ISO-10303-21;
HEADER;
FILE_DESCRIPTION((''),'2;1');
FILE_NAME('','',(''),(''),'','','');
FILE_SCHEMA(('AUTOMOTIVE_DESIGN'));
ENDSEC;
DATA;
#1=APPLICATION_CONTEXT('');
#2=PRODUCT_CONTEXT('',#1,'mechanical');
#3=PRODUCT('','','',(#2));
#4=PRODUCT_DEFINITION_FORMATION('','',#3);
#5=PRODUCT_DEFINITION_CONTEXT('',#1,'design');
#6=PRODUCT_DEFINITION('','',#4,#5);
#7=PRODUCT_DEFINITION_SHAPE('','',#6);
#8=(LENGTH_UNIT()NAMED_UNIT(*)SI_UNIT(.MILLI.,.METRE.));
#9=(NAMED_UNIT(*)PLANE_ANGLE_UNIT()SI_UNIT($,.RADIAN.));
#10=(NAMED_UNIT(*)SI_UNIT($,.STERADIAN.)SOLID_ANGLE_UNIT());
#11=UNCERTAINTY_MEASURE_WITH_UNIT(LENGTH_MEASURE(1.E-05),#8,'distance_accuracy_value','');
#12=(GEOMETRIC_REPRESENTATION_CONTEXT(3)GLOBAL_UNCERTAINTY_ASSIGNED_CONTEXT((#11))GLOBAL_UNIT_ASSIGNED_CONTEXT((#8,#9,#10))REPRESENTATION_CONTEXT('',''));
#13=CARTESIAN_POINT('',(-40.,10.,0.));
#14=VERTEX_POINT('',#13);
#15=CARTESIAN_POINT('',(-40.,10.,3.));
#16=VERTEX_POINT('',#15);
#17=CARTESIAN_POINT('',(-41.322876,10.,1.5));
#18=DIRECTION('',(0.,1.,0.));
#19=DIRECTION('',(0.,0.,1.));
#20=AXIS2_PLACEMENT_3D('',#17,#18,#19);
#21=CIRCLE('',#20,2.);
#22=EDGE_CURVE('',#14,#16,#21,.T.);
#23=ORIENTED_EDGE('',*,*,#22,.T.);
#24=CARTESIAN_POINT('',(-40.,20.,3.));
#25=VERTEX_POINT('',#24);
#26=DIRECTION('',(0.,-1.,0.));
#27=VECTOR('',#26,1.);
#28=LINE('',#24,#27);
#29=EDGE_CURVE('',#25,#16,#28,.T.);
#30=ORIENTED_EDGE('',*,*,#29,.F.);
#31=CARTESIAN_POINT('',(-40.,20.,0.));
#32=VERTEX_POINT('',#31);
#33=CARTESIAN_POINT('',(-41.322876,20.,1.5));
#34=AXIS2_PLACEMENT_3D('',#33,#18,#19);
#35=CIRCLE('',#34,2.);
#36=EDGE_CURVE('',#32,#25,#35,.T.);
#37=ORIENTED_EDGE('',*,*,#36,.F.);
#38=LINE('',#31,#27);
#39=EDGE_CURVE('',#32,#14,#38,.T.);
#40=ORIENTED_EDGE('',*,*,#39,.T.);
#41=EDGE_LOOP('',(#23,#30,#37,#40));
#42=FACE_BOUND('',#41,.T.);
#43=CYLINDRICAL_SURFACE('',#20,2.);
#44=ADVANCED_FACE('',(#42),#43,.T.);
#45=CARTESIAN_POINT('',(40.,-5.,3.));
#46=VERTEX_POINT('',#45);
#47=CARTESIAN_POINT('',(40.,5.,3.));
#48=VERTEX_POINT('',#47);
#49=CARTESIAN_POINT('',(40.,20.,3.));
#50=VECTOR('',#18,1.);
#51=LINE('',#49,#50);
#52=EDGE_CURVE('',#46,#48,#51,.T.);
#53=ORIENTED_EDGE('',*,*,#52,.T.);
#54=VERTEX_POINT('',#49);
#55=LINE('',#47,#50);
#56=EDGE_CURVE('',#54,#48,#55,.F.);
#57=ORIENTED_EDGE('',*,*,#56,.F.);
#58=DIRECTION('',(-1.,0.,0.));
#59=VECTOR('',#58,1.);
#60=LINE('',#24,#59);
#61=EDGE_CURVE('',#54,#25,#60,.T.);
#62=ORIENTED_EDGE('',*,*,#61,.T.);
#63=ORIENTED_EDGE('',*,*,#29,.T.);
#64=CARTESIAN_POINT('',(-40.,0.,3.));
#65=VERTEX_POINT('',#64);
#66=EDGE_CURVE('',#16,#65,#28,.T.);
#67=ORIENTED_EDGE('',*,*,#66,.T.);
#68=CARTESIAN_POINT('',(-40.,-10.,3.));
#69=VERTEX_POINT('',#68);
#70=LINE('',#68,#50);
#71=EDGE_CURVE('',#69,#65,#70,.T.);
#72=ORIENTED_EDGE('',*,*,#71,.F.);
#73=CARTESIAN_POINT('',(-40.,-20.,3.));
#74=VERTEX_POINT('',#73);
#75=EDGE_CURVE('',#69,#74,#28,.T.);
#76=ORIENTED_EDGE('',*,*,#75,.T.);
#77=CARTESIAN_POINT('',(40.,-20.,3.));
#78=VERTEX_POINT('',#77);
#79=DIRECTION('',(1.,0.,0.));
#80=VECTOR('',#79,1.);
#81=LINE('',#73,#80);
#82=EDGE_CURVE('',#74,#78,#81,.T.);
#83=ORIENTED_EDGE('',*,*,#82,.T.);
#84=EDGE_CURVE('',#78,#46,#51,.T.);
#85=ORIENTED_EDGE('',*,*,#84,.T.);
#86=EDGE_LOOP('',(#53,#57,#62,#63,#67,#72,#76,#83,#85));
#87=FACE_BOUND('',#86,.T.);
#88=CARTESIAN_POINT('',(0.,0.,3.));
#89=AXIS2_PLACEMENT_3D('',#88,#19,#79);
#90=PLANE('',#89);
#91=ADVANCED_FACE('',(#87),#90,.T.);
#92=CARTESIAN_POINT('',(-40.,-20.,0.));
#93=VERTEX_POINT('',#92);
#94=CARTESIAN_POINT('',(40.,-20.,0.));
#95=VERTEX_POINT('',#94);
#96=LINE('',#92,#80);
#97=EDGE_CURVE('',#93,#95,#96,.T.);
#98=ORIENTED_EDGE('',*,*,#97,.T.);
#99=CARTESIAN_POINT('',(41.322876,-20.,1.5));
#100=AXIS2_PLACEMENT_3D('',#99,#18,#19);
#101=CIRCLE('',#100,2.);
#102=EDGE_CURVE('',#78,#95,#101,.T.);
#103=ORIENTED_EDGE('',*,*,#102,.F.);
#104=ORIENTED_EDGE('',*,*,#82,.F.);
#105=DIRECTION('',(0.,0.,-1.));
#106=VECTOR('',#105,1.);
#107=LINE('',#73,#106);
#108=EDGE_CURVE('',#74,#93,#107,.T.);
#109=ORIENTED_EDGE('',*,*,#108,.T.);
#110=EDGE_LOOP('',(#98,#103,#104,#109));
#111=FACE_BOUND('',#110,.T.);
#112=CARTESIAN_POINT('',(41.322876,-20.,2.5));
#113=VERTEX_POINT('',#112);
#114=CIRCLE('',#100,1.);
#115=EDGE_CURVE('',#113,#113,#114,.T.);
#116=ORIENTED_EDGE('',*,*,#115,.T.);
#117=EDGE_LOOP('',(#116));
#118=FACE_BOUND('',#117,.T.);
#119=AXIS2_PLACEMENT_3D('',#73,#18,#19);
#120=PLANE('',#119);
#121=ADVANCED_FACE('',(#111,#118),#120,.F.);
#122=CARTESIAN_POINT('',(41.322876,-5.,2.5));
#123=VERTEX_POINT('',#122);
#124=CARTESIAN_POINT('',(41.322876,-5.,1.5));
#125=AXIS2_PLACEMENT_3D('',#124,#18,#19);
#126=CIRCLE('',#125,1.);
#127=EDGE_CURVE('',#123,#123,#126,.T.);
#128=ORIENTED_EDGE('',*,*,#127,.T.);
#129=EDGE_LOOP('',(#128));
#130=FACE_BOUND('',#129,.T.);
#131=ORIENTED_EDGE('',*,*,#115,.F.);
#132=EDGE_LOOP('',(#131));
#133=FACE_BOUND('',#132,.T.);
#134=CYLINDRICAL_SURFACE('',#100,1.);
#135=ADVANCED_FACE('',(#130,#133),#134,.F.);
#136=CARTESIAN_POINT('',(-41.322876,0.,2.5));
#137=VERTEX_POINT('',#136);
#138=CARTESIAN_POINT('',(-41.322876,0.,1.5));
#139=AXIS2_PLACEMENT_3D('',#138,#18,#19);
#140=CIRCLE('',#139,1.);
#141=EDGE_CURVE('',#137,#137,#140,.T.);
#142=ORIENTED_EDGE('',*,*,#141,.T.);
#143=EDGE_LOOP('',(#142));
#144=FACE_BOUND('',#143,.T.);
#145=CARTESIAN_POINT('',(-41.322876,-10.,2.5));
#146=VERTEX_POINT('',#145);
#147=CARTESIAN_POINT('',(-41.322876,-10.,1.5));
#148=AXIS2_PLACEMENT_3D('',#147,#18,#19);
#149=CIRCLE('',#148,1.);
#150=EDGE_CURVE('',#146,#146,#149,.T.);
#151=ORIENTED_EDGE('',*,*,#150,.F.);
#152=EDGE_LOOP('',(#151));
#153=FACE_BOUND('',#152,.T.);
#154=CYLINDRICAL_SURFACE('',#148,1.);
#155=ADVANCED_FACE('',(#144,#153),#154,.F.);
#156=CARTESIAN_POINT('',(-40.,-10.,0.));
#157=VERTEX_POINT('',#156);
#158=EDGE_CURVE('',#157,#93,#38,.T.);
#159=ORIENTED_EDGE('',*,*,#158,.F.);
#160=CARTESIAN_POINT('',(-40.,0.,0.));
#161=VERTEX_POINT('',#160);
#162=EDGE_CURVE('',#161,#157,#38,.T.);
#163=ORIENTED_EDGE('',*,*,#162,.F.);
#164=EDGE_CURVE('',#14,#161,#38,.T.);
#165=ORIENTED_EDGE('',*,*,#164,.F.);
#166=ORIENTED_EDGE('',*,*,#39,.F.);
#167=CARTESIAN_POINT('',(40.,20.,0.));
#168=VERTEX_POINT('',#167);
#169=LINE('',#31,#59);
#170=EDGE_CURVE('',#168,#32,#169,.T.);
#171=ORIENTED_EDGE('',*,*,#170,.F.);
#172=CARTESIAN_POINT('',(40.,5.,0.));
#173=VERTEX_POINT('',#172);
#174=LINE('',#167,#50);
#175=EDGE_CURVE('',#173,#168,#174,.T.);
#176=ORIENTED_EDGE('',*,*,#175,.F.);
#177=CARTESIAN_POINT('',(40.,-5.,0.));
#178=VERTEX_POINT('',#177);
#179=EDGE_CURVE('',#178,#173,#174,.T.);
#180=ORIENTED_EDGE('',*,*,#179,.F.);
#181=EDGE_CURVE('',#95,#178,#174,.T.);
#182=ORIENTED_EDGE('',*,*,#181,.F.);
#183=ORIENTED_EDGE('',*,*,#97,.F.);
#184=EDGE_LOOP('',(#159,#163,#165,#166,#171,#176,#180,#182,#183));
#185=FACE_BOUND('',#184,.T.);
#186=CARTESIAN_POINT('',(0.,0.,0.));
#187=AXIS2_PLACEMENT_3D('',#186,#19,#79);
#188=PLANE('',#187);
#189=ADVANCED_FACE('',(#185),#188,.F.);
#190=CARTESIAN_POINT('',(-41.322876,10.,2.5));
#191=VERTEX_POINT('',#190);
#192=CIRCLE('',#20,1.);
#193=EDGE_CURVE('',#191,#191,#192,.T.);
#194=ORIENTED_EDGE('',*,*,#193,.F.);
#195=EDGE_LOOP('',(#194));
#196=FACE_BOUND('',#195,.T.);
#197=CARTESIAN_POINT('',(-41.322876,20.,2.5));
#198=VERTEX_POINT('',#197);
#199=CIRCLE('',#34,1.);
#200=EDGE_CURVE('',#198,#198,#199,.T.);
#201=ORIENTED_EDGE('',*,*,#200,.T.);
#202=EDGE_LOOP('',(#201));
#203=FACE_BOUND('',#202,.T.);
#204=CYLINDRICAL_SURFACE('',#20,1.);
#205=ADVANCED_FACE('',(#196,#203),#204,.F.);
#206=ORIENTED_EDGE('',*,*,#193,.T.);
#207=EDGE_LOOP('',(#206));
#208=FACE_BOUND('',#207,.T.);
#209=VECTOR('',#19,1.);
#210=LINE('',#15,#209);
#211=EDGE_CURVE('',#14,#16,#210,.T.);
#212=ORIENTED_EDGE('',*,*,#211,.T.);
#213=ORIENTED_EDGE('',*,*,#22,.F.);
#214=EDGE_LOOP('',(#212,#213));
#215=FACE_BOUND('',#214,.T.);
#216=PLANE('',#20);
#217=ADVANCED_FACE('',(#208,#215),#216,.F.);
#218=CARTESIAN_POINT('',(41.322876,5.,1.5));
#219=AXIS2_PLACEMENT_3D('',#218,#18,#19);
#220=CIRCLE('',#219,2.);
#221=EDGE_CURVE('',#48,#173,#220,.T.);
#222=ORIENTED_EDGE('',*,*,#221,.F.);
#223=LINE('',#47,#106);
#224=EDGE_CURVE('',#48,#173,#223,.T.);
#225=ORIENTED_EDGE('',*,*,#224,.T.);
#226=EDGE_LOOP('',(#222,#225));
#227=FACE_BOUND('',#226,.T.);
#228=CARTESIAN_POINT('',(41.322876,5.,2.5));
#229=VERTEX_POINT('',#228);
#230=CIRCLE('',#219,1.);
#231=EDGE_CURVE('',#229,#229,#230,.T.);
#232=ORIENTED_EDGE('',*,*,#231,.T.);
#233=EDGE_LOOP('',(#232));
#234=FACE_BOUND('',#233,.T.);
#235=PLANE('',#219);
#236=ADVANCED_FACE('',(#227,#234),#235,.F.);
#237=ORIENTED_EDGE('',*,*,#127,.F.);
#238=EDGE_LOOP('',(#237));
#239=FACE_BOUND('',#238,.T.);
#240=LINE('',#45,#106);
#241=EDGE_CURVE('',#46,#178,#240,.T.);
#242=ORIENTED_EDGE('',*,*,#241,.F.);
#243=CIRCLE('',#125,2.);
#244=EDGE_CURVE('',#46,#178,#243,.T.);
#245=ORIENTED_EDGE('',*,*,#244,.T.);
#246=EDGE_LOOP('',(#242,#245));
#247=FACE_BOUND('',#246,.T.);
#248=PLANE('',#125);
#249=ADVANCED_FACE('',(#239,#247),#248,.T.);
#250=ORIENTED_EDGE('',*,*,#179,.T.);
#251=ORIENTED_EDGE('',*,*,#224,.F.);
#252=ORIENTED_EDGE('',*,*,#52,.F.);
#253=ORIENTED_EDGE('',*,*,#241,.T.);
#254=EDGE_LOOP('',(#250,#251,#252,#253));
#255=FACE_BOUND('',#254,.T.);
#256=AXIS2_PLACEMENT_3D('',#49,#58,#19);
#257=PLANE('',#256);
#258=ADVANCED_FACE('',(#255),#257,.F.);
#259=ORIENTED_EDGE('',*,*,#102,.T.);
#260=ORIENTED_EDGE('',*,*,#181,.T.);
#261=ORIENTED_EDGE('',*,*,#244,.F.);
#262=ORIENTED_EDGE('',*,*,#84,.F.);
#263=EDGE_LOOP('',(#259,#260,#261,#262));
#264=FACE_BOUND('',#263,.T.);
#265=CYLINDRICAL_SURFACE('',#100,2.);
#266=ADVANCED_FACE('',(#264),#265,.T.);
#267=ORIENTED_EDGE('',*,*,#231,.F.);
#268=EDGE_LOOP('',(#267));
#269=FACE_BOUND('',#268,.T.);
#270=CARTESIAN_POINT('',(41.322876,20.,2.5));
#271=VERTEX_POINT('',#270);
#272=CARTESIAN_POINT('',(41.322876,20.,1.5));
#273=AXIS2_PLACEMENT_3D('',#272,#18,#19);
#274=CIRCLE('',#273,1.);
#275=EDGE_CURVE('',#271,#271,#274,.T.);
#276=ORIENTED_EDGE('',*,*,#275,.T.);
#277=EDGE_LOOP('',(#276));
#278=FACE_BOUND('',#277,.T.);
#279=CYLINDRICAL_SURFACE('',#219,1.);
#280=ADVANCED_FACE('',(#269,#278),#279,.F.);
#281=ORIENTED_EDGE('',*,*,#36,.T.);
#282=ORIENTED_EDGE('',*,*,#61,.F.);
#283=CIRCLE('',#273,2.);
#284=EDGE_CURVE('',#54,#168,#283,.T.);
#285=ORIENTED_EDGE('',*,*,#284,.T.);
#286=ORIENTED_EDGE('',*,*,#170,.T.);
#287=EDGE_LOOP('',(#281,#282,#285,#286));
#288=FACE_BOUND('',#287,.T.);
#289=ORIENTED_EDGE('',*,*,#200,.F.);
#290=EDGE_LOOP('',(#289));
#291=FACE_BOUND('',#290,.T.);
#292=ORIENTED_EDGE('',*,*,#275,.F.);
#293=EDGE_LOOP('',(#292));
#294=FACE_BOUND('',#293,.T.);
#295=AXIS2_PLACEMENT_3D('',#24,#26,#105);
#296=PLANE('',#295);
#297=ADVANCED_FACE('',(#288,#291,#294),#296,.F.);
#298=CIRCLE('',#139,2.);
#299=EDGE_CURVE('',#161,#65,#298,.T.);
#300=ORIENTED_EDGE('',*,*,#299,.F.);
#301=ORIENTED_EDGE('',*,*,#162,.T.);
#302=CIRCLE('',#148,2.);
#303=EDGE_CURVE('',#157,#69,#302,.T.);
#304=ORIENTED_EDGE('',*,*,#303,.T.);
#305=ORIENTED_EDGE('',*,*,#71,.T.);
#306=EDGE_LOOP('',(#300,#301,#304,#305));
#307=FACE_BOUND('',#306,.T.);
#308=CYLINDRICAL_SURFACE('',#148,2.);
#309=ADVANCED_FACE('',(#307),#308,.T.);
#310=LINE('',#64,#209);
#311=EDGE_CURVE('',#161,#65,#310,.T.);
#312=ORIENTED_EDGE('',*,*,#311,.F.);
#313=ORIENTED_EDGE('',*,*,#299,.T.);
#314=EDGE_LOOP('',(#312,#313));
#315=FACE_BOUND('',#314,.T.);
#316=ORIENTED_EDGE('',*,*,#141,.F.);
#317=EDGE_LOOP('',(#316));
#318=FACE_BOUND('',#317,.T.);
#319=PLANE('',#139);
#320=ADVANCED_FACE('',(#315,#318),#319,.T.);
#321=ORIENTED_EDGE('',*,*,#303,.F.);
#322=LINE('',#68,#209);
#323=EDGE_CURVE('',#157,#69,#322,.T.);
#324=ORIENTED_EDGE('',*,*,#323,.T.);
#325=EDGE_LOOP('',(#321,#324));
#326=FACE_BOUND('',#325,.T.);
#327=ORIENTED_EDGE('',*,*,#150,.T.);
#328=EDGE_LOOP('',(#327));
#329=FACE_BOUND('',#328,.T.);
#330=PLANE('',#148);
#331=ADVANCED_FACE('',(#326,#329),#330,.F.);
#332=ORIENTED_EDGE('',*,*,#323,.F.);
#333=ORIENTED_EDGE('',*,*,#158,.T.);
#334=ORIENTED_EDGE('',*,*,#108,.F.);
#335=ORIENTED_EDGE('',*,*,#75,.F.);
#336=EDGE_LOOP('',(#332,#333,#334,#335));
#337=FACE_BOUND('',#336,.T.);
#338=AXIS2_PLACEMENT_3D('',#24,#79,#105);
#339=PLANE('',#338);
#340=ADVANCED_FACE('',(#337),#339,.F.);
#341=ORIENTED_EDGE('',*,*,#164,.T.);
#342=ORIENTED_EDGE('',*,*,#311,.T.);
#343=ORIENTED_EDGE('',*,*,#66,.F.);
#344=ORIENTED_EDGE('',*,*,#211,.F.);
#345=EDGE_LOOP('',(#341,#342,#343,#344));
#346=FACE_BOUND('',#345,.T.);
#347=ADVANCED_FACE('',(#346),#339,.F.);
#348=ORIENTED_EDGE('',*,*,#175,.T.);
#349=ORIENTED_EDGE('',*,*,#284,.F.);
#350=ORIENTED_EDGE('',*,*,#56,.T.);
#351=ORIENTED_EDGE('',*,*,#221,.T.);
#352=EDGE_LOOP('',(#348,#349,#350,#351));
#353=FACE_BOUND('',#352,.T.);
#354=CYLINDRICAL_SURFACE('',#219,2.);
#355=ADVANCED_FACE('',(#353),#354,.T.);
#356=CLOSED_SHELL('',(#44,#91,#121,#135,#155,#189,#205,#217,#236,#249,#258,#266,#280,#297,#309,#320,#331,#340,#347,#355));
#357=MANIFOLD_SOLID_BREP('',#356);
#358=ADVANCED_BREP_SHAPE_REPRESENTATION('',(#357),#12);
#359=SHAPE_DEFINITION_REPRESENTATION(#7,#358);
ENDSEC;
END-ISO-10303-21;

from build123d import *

# Parameters (mm, degrees)
SKETCH1_W           = 80
SKETCH1_H           = 40
BOSS_EXTRUDE1_DEPTH = 3
SKETCH2_R           = 2
SKETCH2_R_2         = 1
BOSS_EXTRUDE3_DEPTH = 10
LPATTERN1_COUNT     = 2
LPATTERN1_PITCH     = 20
SKETCH3_R           = 2
SKETCH3_R_2         = 1
BOSS_EXTRUDE4_DEPTH = 15
LPATTERN2_COUNT     = 2
LPATTERN2_PITCH     = 25


with BuildPart() as part:
    # Sketch1 → Boss-Extrude1 (new body)
    with BuildSketch(Plane.XY):
        Rectangle(SKETCH1_W, SKETCH1_H)
    extrude(amount=BOSS_EXTRUDE1_DEPTH)

    # Sketch2 → Boss-Extrude3 (add)
    with BuildSketch(Plane(origin=(0, 20, 0), x_dir=(1, 0, 0), z_dir=(0, 1, 0))):
        with Locations((-41.322875656, -1.5)):
            Circle(SKETCH2_R)
        with Locations(Location((-41.322875656, -1.5, 0), (0, 0, 270))):
            Circle(SKETCH2_R_2, mode=Mode.SUBTRACT)
    boss_extrude3 = extrude(amount=-BOSS_EXTRUDE3_DEPTH)

    # LPattern1: Boss-Extrude3 ×2
    with Locations(*[(0, -i * LPATTERN1_PITCH, 0) for i in range(1, LPATTERN1_COUNT)]):
        add(boss_extrude3)

    # Sketch3 → Boss-Extrude4 (add)
    with BuildSketch(Plane(origin=(0, 20, 0), x_dir=(1, 0, 0), z_dir=(0, 1, 0))):
        with Locations((41.322875656, -1.5)):
            Circle(SKETCH3_R)
        with Locations(Location((41.322875656, -1.5, 0), (0, 0, 270))):
            Circle(SKETCH3_R_2, mode=Mode.SUBTRACT)
    boss_extrude4 = extrude(amount=-BOSS_EXTRUDE4_DEPTH)

    # LPattern2: Boss-Extrude4 ×2
    with Locations(*[(0, -i * LPATTERN2_PITCH, 0) for i in range(1, LPATTERN2_COUNT)]):
        add(boss_extrude4)


solid = part.part
